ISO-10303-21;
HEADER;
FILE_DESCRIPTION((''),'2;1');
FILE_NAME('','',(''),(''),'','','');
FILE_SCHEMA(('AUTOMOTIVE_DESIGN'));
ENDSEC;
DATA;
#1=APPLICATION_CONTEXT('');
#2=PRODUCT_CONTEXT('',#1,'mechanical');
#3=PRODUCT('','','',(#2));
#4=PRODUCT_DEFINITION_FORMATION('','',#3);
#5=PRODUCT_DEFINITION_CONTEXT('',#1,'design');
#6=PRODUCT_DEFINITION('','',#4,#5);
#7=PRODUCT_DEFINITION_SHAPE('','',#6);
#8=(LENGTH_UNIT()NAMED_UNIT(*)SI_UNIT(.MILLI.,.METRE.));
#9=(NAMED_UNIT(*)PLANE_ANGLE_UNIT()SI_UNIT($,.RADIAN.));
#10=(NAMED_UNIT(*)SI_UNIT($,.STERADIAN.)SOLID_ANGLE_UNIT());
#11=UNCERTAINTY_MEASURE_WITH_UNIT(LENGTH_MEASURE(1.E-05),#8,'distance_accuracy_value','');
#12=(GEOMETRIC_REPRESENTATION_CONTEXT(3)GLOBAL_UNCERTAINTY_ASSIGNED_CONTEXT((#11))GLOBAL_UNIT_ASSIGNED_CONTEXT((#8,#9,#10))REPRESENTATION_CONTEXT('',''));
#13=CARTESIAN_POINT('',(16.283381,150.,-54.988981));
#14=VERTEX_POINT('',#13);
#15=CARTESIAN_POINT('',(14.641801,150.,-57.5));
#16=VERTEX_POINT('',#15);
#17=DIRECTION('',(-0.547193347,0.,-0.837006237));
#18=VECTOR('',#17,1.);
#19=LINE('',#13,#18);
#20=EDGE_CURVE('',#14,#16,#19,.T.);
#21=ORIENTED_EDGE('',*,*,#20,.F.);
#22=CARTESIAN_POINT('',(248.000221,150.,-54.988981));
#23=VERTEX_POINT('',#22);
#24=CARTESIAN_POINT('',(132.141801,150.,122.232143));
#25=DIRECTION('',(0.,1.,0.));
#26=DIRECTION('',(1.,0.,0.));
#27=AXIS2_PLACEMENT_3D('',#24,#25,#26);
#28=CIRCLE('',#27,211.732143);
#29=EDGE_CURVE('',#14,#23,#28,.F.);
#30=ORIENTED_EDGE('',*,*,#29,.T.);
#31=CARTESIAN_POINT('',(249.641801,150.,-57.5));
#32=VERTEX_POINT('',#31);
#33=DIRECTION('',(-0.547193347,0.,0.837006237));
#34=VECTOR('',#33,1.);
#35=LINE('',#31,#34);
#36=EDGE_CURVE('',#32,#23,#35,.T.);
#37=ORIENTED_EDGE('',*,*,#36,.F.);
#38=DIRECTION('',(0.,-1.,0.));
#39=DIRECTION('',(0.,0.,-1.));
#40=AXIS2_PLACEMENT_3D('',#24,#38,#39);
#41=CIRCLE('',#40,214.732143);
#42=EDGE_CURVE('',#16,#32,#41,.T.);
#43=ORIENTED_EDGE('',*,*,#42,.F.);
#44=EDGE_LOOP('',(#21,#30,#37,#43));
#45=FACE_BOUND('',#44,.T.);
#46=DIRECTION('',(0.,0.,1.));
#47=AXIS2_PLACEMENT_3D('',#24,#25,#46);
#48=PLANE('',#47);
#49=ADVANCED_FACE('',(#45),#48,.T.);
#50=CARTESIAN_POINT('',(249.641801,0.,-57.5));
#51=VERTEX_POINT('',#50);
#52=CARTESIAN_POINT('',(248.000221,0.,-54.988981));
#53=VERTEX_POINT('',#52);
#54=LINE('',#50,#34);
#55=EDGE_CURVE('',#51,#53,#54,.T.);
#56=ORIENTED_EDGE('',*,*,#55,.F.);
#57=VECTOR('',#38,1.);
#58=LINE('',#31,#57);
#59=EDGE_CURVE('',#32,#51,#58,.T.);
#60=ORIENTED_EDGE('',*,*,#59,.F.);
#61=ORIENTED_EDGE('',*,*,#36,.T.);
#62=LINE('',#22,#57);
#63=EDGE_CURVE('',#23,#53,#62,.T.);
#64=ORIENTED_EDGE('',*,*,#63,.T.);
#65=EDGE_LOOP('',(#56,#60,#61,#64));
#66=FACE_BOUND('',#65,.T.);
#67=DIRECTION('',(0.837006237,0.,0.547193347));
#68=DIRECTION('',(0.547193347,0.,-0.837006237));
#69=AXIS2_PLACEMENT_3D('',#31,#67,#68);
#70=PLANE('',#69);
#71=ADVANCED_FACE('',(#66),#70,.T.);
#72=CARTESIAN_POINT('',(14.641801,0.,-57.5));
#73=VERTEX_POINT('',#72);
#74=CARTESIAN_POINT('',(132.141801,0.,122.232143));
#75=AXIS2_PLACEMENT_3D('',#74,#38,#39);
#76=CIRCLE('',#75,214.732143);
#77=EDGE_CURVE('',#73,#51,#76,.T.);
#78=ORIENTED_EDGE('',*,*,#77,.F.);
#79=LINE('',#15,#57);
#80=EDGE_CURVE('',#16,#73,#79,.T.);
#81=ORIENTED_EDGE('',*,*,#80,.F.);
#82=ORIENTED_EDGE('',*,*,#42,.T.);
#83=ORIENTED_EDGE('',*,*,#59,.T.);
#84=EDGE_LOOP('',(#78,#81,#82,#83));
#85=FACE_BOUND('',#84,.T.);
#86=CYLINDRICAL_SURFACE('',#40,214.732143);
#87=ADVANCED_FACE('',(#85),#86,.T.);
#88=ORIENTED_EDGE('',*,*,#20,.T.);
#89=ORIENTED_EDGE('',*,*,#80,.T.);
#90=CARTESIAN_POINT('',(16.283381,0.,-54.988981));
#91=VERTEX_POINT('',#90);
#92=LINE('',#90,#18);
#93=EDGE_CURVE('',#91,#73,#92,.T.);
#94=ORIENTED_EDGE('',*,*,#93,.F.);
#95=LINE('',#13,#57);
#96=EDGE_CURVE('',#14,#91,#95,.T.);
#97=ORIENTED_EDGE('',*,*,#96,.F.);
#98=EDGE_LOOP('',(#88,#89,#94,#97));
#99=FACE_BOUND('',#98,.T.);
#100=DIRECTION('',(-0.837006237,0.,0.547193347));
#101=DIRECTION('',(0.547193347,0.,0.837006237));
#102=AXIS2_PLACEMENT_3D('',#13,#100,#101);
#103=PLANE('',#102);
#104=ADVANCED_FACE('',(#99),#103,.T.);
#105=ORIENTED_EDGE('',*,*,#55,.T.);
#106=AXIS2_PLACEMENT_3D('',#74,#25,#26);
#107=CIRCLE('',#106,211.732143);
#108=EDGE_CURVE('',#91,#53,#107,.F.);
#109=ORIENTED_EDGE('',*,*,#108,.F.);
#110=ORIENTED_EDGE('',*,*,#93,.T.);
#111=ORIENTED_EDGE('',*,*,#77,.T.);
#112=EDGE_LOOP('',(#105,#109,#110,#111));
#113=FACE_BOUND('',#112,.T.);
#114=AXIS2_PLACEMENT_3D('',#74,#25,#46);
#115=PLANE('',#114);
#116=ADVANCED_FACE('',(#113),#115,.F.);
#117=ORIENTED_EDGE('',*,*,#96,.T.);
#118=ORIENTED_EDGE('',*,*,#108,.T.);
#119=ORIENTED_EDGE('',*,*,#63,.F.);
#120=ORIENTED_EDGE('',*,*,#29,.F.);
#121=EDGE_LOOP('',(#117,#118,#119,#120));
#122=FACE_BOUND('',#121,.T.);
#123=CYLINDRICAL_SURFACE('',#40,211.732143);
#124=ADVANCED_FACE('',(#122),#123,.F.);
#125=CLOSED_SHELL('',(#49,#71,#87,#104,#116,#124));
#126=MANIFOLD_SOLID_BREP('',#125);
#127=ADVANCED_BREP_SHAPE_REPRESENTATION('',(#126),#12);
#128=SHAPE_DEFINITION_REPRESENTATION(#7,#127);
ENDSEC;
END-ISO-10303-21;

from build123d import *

# Parameters (mm, degrees)
EXTRUDE_1_DEPTH = 150


with BuildPart() as part:
    # Эскиз1 → Вытянуть-Тонкостенный1 (new body)
    with BuildSketch(Plane(origin=(0, 0, 0), x_dir=(1, 0, 0), z_dir=(0, 1, 0))):
        with BuildLine():
            ThreePointArc((14.64180055, 57.5), (132.14180055, 92.5), (249.64180055, 57.5))
            Line((249.64180055, 57.5), (248.000220508, 54.988981289))
            ThreePointArc((248.000220508, 54.988981289), (132.14180055, 89.5), (16.283380591, 54.988981289))
            Line((16.283380591, 54.988981289), (14.64180055, 57.5))
        make_face()
    extrude(amount=EXTRUDE_1_DEPTH)


solid = part.part
